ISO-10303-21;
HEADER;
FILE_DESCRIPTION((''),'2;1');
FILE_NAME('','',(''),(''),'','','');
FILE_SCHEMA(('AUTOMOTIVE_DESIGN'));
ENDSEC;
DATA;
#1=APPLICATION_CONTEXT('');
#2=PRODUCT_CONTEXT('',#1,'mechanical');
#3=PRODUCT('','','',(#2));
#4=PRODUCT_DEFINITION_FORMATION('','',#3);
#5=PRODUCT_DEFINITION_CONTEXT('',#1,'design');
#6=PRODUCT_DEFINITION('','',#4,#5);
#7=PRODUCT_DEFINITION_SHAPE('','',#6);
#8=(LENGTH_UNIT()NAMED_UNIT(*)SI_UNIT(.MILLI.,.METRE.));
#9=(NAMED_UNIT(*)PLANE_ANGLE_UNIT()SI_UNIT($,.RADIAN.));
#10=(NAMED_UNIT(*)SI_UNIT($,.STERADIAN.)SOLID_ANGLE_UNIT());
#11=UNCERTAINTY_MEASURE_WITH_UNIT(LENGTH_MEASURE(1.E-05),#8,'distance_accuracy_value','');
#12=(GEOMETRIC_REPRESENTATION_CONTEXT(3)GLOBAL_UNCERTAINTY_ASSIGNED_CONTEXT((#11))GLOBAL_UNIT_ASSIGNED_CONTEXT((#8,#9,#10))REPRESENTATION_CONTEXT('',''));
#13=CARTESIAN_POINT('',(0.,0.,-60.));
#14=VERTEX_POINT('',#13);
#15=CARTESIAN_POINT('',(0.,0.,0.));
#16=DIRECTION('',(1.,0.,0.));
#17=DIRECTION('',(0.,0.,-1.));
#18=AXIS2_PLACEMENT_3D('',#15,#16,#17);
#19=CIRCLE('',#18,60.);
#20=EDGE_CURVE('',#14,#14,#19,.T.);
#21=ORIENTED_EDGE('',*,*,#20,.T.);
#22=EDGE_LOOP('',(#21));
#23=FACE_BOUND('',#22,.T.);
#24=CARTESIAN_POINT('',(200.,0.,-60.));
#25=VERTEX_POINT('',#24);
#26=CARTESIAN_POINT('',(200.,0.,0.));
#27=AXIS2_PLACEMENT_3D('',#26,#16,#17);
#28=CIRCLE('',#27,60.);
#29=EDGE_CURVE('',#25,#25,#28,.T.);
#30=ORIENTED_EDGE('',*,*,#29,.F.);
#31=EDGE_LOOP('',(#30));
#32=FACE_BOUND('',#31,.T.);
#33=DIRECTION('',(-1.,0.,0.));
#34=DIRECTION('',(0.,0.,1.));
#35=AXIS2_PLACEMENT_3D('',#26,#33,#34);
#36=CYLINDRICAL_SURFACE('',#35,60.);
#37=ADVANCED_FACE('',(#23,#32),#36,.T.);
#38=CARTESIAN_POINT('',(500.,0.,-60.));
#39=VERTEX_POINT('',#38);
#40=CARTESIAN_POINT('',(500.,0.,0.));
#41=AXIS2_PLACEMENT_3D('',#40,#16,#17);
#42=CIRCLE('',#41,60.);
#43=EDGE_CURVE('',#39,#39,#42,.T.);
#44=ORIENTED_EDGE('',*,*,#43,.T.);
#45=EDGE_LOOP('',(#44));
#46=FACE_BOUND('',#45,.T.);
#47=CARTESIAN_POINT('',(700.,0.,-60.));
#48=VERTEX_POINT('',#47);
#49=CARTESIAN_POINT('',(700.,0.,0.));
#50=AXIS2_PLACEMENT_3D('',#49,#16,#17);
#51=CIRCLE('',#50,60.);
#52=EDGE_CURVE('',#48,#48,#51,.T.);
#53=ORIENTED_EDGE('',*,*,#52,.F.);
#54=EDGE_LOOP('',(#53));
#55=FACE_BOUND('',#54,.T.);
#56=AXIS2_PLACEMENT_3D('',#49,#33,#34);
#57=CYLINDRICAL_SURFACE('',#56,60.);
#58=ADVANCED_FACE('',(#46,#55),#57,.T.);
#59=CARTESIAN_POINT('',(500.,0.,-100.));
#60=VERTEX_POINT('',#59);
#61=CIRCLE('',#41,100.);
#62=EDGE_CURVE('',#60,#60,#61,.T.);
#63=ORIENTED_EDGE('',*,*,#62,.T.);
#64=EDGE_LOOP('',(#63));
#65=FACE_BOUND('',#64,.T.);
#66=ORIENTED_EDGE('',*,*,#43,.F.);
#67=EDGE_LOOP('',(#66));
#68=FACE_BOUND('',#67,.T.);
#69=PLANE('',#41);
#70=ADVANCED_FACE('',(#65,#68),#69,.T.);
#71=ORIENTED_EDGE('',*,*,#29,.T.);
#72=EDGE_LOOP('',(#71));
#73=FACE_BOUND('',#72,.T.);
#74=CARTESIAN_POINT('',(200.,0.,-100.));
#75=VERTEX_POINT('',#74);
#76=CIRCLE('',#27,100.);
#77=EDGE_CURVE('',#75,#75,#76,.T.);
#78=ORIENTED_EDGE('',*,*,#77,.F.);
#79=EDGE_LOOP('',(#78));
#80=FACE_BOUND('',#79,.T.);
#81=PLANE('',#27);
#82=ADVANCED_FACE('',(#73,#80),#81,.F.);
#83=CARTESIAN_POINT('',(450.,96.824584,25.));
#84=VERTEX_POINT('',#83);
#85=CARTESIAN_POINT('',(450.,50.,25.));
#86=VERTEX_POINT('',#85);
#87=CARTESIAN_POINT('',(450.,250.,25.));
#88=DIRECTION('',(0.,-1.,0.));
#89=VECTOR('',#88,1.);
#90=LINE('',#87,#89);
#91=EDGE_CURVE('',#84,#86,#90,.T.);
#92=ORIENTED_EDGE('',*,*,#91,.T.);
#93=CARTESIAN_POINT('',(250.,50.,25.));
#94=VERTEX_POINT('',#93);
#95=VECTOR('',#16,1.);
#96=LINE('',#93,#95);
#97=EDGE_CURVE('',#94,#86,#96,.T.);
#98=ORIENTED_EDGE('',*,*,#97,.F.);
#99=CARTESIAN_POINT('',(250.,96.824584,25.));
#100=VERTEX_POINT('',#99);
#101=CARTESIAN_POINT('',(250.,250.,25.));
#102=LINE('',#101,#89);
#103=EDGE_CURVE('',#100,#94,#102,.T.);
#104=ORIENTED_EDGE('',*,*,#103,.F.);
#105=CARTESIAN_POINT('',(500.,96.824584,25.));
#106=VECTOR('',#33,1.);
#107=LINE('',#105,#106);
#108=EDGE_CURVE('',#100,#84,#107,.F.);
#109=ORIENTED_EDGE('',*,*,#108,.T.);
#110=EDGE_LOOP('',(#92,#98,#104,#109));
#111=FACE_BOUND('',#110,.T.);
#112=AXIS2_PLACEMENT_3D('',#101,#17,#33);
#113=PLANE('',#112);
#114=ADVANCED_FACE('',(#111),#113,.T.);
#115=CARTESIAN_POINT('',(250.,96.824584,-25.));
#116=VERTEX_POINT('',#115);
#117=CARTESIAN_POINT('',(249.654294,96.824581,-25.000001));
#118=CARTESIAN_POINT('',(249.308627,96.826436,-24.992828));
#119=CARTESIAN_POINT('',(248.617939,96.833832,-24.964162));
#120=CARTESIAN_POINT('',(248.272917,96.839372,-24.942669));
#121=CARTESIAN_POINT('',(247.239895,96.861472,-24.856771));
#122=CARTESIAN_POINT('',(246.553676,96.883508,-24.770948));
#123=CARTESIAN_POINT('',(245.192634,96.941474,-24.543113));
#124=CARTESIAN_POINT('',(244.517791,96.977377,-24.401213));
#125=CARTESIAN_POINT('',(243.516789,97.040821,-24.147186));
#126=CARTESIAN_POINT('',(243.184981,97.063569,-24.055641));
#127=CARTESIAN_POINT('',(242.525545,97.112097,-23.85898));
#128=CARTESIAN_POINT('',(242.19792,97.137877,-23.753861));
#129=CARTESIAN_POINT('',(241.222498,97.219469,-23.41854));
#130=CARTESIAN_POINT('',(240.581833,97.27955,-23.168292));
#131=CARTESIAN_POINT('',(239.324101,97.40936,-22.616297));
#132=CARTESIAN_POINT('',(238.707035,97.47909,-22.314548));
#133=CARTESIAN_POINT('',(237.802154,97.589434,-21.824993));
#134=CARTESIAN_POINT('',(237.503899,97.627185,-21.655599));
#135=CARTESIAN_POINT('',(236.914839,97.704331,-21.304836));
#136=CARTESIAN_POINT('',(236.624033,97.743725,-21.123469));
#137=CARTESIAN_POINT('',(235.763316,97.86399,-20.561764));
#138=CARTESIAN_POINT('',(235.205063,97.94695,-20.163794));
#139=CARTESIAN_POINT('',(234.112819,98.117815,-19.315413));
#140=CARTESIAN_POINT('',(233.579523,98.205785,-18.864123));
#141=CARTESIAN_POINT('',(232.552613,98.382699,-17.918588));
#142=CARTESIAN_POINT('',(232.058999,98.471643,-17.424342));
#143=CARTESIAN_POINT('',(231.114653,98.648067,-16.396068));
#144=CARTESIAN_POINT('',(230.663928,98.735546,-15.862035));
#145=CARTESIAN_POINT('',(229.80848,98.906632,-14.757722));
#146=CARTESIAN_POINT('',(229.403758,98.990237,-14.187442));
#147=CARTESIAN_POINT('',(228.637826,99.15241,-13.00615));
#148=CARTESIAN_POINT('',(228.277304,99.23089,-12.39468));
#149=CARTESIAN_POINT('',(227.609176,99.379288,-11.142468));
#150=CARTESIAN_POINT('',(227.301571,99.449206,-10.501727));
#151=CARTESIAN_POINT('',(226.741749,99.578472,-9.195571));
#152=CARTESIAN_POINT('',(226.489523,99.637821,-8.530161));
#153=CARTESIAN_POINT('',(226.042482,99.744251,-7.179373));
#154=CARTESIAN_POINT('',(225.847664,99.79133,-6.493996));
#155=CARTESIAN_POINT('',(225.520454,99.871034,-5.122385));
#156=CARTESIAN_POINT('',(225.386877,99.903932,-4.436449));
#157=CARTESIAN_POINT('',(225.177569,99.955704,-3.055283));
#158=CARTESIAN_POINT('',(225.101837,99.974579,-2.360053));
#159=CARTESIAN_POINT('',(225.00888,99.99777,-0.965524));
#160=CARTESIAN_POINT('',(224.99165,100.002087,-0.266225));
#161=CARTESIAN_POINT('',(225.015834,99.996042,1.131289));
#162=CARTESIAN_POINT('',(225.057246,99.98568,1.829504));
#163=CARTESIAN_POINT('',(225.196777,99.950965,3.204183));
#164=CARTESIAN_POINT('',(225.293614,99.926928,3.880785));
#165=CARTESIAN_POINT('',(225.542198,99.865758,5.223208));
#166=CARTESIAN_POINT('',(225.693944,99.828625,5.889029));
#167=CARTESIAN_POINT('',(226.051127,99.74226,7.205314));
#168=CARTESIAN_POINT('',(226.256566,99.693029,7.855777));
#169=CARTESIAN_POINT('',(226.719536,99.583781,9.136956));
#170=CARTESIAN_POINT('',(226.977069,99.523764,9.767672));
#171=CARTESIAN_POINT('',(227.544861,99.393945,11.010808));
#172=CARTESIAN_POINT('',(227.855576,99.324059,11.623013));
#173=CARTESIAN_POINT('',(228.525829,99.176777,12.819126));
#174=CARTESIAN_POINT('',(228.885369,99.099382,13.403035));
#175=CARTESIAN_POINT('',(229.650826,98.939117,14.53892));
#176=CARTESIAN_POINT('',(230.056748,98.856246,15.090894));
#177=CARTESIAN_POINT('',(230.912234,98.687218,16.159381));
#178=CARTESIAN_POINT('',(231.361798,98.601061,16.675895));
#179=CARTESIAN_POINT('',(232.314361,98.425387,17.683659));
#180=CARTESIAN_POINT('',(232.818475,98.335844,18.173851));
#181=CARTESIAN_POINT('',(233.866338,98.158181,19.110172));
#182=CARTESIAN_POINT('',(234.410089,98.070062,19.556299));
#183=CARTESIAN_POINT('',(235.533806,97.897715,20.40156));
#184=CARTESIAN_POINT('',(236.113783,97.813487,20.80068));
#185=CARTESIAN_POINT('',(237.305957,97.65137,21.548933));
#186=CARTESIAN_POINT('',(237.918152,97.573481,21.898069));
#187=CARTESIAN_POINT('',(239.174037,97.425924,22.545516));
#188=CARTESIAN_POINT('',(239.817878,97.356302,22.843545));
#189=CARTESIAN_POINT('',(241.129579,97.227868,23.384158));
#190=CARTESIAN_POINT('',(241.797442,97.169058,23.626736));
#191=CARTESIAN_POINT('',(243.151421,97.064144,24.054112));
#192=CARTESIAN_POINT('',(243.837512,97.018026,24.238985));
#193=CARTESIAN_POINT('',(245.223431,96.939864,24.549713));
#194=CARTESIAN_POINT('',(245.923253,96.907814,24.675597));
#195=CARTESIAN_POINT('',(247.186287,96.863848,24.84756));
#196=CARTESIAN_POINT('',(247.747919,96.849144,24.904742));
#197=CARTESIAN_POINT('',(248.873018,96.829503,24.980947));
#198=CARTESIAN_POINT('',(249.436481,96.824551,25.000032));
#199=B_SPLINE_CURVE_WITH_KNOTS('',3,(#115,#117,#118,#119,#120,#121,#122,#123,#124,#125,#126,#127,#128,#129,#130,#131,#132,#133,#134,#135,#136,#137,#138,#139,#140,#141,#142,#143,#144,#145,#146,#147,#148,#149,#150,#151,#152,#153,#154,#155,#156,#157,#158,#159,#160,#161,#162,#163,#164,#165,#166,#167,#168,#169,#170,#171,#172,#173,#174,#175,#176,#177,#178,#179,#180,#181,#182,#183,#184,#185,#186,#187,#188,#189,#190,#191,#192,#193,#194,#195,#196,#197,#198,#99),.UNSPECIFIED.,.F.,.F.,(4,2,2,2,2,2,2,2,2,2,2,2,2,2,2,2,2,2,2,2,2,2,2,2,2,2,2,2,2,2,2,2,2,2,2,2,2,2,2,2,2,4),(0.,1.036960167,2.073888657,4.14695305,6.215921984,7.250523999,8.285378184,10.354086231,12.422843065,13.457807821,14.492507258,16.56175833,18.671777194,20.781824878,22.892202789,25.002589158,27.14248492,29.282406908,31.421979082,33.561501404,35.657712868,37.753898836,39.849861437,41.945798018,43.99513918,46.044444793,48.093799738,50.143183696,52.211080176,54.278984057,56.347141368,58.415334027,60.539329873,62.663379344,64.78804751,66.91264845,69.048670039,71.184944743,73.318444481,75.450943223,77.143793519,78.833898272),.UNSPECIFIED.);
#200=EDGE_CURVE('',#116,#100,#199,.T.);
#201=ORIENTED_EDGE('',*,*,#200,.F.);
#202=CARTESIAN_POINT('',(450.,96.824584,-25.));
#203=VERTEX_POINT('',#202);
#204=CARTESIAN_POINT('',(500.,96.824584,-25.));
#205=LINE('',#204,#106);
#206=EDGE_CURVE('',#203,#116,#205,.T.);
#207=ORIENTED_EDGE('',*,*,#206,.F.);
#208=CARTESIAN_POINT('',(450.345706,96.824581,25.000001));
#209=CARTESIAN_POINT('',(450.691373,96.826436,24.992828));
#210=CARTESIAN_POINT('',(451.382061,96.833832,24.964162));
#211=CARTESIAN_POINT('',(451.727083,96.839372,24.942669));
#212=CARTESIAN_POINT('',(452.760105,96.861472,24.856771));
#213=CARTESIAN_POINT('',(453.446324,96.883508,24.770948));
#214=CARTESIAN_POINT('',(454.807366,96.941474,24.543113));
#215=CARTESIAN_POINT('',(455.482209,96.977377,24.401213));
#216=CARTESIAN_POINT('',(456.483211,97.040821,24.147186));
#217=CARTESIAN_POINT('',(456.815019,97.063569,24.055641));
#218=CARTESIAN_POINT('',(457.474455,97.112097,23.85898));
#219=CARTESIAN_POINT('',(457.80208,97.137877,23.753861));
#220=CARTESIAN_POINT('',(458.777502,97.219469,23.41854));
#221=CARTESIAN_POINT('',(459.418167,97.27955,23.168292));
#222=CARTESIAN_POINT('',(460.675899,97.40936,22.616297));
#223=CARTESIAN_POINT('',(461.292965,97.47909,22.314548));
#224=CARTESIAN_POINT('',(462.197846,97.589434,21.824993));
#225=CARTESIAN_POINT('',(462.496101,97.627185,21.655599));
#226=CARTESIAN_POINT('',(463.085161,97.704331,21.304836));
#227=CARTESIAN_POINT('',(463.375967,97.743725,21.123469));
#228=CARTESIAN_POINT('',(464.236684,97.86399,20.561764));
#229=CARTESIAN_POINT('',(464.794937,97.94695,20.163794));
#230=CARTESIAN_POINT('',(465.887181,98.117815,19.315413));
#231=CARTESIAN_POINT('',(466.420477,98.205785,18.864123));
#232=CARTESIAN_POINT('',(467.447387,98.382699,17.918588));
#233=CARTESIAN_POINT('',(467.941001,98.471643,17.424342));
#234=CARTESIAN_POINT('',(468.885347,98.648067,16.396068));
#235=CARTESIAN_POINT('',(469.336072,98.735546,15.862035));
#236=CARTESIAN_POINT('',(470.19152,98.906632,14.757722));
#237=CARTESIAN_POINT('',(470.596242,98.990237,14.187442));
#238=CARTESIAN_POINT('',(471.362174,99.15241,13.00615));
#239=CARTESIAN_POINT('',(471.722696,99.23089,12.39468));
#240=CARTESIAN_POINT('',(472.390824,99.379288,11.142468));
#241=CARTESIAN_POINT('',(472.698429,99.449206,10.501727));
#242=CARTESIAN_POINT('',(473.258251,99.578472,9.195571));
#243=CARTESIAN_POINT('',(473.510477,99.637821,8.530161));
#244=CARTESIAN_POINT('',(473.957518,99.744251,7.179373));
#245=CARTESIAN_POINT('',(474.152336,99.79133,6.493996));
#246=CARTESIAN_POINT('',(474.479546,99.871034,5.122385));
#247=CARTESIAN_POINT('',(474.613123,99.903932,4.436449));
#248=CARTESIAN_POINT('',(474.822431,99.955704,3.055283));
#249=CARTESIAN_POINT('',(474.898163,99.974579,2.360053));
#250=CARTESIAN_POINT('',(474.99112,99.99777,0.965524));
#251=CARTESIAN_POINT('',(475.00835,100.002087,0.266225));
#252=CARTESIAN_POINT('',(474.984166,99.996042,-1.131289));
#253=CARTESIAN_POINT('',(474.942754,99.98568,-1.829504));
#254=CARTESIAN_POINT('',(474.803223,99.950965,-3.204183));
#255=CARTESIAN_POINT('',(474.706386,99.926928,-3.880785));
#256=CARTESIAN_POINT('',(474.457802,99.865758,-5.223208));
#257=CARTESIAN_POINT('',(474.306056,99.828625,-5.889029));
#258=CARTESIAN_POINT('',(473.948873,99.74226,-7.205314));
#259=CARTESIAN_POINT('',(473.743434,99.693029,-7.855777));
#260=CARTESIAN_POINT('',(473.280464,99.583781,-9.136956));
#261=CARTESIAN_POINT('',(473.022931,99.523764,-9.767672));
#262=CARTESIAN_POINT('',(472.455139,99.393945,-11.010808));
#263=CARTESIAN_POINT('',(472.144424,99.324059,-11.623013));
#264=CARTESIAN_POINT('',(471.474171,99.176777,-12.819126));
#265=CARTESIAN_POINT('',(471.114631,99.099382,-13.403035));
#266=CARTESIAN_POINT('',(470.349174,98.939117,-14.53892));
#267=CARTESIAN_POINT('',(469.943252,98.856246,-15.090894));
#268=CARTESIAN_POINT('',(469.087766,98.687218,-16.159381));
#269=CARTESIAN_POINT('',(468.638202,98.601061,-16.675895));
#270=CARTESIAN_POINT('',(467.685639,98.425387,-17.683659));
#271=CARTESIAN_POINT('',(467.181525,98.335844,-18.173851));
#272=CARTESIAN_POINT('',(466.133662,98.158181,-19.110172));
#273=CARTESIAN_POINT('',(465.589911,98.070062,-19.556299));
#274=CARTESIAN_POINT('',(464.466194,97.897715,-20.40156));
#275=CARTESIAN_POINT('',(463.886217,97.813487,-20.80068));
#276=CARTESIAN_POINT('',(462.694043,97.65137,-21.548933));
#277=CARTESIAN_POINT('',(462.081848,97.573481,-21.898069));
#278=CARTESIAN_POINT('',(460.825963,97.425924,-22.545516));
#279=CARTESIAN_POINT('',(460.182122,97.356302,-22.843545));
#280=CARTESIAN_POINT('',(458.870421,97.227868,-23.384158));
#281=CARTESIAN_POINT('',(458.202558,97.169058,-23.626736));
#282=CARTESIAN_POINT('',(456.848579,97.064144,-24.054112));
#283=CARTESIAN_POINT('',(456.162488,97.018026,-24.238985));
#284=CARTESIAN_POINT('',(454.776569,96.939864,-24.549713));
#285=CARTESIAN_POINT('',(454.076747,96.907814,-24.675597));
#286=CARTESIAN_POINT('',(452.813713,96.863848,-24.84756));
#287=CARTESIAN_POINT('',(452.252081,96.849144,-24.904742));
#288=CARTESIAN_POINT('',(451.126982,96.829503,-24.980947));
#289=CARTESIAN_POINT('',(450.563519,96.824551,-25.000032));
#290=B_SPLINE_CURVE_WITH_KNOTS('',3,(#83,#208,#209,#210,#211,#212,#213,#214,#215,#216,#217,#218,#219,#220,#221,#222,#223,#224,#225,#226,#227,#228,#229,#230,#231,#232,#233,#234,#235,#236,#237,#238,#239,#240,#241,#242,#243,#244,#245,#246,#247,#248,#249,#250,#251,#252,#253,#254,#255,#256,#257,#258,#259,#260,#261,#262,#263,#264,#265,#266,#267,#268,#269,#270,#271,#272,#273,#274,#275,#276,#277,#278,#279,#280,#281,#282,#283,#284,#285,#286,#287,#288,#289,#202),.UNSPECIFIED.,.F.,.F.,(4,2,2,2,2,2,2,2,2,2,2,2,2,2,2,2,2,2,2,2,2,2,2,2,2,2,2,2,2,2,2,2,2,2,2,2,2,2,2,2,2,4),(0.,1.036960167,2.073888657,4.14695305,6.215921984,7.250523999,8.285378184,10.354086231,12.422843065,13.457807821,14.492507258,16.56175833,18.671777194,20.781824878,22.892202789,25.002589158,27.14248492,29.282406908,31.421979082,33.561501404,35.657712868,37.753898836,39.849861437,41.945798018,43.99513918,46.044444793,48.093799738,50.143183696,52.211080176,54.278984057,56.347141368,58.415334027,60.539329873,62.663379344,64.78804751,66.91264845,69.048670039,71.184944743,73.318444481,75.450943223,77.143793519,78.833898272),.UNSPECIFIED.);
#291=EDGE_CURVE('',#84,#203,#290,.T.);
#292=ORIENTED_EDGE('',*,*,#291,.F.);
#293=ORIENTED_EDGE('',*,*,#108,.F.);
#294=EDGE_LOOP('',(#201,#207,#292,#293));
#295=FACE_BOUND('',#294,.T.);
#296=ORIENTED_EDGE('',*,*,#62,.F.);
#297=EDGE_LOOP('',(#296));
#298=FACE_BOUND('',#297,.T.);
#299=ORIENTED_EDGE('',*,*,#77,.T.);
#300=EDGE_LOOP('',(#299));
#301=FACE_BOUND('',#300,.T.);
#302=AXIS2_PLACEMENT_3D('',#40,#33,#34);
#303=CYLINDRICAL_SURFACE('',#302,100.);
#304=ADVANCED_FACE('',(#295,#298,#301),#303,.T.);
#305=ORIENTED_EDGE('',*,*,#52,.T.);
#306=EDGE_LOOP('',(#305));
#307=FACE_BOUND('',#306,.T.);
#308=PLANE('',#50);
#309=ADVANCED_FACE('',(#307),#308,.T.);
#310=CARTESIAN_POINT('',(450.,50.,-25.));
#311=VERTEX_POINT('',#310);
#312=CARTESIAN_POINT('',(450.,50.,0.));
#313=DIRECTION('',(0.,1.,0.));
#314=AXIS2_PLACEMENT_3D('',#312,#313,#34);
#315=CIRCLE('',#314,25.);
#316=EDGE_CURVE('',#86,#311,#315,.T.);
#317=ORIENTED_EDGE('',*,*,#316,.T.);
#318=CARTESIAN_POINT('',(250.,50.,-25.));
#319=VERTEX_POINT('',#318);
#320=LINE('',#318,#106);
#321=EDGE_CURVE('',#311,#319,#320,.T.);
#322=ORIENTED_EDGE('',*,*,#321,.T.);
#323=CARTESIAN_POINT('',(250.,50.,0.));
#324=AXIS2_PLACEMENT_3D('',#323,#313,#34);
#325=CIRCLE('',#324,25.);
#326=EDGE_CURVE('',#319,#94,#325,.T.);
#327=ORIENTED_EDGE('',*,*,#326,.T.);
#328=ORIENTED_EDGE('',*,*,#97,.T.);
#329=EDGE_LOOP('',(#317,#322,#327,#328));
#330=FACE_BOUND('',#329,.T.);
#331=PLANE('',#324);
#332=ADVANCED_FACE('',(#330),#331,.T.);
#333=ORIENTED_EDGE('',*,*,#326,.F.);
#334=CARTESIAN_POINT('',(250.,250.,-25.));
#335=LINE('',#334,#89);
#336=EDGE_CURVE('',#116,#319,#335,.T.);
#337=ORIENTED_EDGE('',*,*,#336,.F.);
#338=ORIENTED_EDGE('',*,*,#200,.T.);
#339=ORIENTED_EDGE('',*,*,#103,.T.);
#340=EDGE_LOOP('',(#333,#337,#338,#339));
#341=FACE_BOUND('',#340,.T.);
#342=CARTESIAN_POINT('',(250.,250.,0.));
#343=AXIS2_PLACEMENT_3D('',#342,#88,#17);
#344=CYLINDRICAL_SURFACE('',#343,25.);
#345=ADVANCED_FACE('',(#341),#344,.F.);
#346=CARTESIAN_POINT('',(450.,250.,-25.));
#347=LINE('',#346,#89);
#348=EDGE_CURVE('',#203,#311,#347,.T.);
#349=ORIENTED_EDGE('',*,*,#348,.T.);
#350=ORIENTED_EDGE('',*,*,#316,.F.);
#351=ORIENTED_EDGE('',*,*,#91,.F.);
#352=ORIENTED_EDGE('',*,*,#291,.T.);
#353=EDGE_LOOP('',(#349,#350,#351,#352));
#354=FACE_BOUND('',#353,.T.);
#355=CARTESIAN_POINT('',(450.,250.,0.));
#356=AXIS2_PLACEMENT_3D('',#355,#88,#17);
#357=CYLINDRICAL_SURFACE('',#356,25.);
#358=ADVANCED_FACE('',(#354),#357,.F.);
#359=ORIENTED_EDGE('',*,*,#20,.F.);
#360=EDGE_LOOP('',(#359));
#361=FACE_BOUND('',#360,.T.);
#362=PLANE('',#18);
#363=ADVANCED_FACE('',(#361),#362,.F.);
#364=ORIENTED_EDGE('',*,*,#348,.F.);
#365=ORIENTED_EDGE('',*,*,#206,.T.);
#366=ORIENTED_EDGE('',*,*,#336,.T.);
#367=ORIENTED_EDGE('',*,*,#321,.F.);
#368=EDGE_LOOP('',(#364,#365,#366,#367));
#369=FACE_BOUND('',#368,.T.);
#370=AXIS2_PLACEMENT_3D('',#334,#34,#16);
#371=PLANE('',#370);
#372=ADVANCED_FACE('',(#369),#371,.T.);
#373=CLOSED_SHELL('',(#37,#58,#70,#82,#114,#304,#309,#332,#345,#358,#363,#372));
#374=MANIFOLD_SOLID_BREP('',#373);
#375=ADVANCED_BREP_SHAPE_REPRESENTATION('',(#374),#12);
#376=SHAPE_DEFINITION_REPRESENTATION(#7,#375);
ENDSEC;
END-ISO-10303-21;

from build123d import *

# Parameters (mm, degrees)
IZIM1_R                     = 60
Y_KSEKLIK_EKSTR_ZYON1_DEPTH = 200
IZIM2_R                     = 100
Y_KSEKLIK_EKSTR_ZYON2_DEPTH = 300
IZIM3_R                     = 60
Y_KSEKLIK_EKSTR_ZYON3_DEPTH = 200
KES_EKSTR_ZYON1_DEPTH       = 200


with BuildPart() as part:
    # Çizim1 → Yükseklik-Ekstrüzyon1 (new body)
    with BuildSketch(Plane(origin=(0, 0, 0), x_dir=(0, 0, -1), z_dir=(1, 0, 0))):
        Circle(IZIM1_R)
    extrude(amount=Y_KSEKLIK_EKSTR_ZYON1_DEPTH)

    # Çizim2 → Yükseklik-Ekstrüzyon2 (add)
    with BuildSketch(Plane(origin=(200, 0, 0), x_dir=(0, 0, -1), z_dir=(1, 0, 0))):
        Circle(IZIM2_R)
    extrude(amount=Y_KSEKLIK_EKSTR_ZYON2_DEPTH)

    # Çizim3 → Yükseklik-Ekstrüzyon3 (add)
    with BuildSketch(Plane(origin=(500, 0, 0), x_dir=(0, 0, -1), z_dir=(1, 0, 0))):
        Circle(IZIM3_R)
    extrude(amount=Y_KSEKLIK_EKSTR_ZYON3_DEPTH)

    # Çizim4 → Kes-Ekstrüzyon1 (cut)
    with BuildSketch(Plane(origin=(0, 50, 0), x_dir=(1, 0, 0), z_dir=(0, 1, 0))):
        with BuildLine():
            Line((250, 25), (450, 25))
            ThreePointArc((450, 25), (475, 0), (450, -25))
            Line((450, -25), (250, -25))
            ThreePointArc((250, -25), (225, 0), (250, 25))
        make_face()
    extrude(amount=KES_EKSTR_ZYON1_DEPTH, mode=Mode.SUBTRACT)


solid = part.part
